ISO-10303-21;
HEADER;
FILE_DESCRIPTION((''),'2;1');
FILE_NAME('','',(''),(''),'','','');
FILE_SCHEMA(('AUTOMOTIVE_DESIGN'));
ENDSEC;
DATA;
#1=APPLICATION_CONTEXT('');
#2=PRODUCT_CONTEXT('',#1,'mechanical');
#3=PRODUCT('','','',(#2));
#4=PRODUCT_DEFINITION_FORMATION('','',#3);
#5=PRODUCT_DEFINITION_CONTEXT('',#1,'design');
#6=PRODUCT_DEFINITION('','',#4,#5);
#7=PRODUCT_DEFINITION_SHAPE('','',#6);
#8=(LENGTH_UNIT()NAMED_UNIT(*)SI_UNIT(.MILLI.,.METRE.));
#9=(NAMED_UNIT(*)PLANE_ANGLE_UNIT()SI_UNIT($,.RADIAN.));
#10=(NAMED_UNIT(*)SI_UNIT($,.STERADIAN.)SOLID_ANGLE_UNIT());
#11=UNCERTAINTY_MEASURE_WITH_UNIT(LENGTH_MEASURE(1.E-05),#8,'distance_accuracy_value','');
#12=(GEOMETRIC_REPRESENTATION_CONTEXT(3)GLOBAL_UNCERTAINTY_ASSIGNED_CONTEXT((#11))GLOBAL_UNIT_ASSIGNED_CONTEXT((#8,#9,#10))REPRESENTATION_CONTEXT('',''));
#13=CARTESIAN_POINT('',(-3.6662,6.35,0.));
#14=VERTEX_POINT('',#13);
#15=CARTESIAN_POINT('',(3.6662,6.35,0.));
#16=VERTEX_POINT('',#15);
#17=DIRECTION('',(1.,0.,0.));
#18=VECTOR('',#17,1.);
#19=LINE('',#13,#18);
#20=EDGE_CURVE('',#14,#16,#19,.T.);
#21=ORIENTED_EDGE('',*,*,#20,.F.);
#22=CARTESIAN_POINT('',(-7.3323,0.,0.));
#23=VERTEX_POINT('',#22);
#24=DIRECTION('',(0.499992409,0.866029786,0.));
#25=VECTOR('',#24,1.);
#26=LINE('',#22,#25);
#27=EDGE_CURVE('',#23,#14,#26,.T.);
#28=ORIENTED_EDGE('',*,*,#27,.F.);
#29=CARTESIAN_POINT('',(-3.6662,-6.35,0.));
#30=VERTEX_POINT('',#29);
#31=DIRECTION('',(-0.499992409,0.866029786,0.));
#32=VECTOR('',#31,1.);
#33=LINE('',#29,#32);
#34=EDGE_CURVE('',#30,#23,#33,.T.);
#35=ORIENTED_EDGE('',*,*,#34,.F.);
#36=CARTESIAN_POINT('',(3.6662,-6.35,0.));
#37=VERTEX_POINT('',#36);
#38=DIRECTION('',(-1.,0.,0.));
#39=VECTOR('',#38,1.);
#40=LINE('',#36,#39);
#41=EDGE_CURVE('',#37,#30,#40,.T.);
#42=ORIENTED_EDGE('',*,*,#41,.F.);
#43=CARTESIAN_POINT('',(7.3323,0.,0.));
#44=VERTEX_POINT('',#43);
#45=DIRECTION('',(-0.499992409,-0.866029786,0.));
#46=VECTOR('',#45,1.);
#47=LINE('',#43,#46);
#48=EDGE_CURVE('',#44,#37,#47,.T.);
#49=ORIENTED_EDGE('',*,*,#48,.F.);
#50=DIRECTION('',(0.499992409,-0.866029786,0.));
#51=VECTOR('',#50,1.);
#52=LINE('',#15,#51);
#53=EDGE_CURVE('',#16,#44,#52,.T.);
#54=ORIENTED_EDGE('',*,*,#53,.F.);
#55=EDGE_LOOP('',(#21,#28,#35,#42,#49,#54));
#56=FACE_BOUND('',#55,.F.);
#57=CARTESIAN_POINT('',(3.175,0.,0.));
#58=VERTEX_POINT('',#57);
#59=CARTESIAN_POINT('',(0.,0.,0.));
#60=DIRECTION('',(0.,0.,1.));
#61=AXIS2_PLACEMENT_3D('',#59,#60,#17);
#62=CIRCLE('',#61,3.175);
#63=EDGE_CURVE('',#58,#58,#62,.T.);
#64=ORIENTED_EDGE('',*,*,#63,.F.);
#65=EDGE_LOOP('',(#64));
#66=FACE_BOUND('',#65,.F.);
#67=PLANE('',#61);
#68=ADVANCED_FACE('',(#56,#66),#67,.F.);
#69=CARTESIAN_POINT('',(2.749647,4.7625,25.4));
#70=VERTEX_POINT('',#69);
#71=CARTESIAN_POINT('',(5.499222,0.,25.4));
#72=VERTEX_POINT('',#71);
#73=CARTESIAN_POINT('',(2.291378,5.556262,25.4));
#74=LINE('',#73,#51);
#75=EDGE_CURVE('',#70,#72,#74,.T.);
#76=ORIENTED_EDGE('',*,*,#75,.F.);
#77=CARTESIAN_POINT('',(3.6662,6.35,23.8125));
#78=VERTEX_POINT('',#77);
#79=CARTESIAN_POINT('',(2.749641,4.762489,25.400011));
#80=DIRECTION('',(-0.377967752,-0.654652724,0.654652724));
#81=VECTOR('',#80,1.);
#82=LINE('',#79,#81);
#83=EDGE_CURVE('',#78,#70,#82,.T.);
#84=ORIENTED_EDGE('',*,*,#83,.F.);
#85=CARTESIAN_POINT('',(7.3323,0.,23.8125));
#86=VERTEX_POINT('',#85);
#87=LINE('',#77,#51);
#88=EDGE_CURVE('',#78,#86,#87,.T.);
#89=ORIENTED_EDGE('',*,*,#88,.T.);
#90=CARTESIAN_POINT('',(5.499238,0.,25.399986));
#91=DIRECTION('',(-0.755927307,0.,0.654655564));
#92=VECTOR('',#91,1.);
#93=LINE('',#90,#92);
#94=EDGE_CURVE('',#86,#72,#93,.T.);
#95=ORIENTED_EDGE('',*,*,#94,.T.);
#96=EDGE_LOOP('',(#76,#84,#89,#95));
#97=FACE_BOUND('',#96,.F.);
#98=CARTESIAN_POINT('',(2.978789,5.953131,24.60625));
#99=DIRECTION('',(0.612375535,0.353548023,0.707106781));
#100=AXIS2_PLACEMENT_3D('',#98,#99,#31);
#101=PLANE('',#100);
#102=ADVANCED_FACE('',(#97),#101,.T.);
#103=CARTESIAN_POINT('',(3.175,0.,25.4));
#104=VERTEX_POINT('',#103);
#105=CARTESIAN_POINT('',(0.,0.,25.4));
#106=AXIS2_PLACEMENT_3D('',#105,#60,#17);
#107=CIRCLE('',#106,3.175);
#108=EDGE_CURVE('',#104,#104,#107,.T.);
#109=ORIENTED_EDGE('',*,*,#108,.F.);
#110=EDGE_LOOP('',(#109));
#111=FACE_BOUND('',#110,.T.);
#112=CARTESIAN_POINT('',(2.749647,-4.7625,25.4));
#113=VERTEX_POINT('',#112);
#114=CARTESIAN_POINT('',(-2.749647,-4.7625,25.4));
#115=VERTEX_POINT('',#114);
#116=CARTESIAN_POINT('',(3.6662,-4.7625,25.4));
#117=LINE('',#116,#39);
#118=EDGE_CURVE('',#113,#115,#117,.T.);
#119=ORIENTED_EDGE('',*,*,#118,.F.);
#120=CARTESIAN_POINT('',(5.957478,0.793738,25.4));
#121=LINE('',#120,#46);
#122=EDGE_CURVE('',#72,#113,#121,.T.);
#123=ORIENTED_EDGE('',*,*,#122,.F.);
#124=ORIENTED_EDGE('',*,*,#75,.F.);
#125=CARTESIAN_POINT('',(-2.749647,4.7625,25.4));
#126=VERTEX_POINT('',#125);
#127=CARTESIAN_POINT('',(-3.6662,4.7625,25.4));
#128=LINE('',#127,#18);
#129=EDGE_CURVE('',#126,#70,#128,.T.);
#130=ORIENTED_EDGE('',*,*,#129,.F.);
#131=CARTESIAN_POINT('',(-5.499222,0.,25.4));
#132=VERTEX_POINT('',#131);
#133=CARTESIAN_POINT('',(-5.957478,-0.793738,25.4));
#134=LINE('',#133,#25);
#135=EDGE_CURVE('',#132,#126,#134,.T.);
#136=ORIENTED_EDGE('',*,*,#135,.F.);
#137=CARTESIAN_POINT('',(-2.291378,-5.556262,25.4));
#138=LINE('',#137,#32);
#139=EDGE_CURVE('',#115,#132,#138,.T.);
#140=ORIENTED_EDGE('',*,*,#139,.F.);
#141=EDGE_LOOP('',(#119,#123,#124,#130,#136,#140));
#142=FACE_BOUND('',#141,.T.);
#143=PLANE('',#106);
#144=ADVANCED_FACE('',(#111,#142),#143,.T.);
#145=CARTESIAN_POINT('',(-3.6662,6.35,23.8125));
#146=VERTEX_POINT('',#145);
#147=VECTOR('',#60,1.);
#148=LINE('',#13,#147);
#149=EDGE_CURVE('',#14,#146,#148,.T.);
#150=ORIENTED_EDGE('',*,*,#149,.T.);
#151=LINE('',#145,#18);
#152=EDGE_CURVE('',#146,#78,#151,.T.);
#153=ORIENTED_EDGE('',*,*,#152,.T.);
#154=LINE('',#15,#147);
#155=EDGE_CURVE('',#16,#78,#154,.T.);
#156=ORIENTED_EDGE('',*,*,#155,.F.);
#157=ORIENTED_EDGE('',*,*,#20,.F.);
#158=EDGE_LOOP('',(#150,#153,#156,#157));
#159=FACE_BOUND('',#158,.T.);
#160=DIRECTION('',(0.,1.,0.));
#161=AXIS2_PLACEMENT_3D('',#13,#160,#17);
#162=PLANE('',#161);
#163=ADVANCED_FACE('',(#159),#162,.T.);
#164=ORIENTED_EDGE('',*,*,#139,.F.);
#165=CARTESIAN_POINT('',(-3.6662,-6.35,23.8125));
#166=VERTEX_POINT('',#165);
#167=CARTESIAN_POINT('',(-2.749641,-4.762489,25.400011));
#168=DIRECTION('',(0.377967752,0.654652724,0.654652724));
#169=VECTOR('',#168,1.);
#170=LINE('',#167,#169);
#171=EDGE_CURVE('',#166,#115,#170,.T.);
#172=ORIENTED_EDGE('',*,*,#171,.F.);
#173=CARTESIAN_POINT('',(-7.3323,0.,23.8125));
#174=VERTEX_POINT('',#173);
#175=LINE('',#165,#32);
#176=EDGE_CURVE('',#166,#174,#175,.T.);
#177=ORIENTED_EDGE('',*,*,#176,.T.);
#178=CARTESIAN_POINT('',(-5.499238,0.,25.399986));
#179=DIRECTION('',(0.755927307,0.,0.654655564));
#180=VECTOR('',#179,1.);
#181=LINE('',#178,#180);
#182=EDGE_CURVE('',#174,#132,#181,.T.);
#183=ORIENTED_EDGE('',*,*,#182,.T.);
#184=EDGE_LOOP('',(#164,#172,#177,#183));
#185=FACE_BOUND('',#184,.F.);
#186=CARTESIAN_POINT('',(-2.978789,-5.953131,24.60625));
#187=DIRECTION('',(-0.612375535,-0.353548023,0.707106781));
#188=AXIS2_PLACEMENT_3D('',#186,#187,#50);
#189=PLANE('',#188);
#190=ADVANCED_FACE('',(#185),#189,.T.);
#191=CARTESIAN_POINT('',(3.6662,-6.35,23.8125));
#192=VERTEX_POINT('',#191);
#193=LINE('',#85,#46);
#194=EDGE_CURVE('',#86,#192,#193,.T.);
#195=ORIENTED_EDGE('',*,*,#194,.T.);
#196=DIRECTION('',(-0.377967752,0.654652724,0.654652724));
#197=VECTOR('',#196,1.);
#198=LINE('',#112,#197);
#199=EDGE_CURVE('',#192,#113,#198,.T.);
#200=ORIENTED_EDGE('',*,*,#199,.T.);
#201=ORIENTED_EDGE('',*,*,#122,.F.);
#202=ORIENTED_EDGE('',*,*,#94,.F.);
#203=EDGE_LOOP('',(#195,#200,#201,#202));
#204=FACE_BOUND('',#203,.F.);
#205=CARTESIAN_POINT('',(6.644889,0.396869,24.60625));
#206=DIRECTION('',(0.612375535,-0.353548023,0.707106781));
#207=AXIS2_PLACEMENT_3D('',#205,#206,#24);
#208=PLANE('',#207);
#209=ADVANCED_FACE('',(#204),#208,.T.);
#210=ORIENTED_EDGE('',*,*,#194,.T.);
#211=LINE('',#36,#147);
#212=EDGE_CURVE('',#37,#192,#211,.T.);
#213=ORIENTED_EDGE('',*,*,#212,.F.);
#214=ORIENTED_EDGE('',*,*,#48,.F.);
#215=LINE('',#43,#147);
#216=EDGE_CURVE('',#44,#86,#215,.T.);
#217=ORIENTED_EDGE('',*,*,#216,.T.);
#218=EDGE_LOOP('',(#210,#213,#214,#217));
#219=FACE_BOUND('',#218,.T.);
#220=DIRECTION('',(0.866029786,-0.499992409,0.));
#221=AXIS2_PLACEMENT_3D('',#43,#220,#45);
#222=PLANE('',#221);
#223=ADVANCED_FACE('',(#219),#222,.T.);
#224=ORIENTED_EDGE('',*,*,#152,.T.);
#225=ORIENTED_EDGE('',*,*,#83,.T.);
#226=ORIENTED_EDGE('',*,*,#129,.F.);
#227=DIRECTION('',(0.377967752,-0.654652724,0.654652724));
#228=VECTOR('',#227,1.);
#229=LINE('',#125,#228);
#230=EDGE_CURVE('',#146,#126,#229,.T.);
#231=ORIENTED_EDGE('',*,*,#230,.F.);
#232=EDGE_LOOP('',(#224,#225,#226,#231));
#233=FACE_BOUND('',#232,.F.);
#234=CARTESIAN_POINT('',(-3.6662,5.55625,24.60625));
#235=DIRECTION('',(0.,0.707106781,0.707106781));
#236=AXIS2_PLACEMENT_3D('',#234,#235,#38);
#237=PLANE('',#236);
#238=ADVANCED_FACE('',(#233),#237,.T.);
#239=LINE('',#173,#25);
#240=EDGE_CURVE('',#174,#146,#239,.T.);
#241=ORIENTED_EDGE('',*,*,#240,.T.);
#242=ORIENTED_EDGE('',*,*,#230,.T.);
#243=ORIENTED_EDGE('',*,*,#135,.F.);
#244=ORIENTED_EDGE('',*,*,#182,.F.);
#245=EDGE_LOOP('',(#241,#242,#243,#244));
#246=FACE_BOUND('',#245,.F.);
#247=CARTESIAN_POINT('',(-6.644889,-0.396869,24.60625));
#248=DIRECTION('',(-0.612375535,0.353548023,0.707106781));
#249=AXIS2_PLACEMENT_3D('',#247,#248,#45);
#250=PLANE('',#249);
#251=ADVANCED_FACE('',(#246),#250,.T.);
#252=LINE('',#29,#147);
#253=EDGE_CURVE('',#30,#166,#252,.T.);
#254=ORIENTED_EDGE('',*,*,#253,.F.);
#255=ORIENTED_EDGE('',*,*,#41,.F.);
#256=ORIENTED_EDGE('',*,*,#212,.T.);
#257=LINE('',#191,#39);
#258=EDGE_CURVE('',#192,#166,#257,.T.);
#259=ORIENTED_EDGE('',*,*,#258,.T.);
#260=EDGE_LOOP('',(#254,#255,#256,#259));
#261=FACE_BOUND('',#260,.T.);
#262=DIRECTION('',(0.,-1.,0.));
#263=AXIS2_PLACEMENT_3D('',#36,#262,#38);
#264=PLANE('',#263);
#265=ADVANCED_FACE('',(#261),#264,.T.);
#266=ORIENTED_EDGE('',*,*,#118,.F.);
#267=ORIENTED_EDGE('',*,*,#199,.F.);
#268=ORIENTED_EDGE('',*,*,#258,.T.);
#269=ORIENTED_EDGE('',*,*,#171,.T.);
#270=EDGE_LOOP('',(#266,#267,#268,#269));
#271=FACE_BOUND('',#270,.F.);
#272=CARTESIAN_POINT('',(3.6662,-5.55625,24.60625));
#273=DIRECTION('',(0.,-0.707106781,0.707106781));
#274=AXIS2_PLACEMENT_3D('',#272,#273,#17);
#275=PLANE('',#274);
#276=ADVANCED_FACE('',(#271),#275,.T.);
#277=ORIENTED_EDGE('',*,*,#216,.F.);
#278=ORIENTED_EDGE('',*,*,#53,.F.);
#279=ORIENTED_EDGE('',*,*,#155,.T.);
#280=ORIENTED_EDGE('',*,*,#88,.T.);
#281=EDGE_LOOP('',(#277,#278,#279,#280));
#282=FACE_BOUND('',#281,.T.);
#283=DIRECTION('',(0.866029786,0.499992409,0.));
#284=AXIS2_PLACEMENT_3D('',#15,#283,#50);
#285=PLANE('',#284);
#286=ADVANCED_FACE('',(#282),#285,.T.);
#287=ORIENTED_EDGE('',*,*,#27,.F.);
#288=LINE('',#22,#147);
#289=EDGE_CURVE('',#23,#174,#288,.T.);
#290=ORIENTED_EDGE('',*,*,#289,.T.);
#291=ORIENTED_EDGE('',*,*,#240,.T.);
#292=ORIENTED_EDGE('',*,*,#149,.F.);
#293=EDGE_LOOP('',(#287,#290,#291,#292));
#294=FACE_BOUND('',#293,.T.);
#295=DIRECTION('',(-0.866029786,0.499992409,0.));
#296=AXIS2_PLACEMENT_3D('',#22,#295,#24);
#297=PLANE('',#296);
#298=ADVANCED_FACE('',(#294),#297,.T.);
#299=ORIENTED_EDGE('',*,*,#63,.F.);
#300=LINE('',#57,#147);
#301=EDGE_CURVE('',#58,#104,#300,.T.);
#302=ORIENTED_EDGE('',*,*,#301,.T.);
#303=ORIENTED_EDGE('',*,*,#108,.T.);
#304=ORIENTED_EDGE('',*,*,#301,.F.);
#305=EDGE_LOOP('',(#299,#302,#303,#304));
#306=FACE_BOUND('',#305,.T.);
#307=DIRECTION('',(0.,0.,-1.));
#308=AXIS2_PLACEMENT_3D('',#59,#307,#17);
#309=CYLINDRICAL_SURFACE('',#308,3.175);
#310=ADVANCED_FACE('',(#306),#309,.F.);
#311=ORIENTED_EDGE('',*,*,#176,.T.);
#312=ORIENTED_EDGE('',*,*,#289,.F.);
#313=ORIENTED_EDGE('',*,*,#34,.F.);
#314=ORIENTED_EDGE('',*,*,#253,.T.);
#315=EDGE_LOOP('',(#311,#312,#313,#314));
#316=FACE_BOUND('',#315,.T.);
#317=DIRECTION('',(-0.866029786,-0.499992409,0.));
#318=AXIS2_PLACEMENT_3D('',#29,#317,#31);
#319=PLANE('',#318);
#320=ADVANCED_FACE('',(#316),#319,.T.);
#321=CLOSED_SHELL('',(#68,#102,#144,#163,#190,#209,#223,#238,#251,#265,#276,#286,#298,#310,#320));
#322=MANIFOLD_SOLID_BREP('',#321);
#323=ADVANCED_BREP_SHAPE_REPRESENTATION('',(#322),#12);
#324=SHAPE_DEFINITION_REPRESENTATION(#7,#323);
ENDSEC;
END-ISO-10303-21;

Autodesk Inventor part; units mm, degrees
ref_plane "YZ Plane" through (0, 0, 0) normal (1, 0, 0) x (0, 1, 0)
ref_plane "XZ Plane" through (0, 0, 0) normal (0, 1, 0) x (-1, 0, 0)
ref_plane "XY Plane" through (0, 0, 0) normal (0, 0, 1) x (1, 0, 0)
sketch "Sketch1" plane through (0, 0, 0) normal (0, 0, 1) x (1, 0, 0)
  line L0 (7.3323, 0) -> (3.6662, -6.35)
  line L1 (3.6662, -6.35) -> (-3.6662, -6.35)
  line L2 (-3.6662, -6.35) -> (-7.3323, 0)
  line L3 (-7.3323, 0) -> (-3.6662, 6.35)
  line L4 (-3.6662, 6.35) -> (3.6662, 6.35)
  line L5 (3.6662, 6.35) -> (7.3323, 0)
  circle A0 centre (0, 0) radius 3.175
  dimension "d0" = 12.7
  dimension "d1" = 6.35
extrude "Extrusion1" add sketch "Sketch1" along normal blind 25.4
chamfer "Chamfer1" distance 1.5875 angle 45 6 edges at (5.4993, 3.175, 25.4) (0, 6.35, 25.4) (5.4993, -3.175, 25.4) (0, -6.35, 25.4) (-5.4993, -3.175, 25.4) (-5.4993, 3.175, 25.4)
properties part number "Bevel Hex Shaft"
